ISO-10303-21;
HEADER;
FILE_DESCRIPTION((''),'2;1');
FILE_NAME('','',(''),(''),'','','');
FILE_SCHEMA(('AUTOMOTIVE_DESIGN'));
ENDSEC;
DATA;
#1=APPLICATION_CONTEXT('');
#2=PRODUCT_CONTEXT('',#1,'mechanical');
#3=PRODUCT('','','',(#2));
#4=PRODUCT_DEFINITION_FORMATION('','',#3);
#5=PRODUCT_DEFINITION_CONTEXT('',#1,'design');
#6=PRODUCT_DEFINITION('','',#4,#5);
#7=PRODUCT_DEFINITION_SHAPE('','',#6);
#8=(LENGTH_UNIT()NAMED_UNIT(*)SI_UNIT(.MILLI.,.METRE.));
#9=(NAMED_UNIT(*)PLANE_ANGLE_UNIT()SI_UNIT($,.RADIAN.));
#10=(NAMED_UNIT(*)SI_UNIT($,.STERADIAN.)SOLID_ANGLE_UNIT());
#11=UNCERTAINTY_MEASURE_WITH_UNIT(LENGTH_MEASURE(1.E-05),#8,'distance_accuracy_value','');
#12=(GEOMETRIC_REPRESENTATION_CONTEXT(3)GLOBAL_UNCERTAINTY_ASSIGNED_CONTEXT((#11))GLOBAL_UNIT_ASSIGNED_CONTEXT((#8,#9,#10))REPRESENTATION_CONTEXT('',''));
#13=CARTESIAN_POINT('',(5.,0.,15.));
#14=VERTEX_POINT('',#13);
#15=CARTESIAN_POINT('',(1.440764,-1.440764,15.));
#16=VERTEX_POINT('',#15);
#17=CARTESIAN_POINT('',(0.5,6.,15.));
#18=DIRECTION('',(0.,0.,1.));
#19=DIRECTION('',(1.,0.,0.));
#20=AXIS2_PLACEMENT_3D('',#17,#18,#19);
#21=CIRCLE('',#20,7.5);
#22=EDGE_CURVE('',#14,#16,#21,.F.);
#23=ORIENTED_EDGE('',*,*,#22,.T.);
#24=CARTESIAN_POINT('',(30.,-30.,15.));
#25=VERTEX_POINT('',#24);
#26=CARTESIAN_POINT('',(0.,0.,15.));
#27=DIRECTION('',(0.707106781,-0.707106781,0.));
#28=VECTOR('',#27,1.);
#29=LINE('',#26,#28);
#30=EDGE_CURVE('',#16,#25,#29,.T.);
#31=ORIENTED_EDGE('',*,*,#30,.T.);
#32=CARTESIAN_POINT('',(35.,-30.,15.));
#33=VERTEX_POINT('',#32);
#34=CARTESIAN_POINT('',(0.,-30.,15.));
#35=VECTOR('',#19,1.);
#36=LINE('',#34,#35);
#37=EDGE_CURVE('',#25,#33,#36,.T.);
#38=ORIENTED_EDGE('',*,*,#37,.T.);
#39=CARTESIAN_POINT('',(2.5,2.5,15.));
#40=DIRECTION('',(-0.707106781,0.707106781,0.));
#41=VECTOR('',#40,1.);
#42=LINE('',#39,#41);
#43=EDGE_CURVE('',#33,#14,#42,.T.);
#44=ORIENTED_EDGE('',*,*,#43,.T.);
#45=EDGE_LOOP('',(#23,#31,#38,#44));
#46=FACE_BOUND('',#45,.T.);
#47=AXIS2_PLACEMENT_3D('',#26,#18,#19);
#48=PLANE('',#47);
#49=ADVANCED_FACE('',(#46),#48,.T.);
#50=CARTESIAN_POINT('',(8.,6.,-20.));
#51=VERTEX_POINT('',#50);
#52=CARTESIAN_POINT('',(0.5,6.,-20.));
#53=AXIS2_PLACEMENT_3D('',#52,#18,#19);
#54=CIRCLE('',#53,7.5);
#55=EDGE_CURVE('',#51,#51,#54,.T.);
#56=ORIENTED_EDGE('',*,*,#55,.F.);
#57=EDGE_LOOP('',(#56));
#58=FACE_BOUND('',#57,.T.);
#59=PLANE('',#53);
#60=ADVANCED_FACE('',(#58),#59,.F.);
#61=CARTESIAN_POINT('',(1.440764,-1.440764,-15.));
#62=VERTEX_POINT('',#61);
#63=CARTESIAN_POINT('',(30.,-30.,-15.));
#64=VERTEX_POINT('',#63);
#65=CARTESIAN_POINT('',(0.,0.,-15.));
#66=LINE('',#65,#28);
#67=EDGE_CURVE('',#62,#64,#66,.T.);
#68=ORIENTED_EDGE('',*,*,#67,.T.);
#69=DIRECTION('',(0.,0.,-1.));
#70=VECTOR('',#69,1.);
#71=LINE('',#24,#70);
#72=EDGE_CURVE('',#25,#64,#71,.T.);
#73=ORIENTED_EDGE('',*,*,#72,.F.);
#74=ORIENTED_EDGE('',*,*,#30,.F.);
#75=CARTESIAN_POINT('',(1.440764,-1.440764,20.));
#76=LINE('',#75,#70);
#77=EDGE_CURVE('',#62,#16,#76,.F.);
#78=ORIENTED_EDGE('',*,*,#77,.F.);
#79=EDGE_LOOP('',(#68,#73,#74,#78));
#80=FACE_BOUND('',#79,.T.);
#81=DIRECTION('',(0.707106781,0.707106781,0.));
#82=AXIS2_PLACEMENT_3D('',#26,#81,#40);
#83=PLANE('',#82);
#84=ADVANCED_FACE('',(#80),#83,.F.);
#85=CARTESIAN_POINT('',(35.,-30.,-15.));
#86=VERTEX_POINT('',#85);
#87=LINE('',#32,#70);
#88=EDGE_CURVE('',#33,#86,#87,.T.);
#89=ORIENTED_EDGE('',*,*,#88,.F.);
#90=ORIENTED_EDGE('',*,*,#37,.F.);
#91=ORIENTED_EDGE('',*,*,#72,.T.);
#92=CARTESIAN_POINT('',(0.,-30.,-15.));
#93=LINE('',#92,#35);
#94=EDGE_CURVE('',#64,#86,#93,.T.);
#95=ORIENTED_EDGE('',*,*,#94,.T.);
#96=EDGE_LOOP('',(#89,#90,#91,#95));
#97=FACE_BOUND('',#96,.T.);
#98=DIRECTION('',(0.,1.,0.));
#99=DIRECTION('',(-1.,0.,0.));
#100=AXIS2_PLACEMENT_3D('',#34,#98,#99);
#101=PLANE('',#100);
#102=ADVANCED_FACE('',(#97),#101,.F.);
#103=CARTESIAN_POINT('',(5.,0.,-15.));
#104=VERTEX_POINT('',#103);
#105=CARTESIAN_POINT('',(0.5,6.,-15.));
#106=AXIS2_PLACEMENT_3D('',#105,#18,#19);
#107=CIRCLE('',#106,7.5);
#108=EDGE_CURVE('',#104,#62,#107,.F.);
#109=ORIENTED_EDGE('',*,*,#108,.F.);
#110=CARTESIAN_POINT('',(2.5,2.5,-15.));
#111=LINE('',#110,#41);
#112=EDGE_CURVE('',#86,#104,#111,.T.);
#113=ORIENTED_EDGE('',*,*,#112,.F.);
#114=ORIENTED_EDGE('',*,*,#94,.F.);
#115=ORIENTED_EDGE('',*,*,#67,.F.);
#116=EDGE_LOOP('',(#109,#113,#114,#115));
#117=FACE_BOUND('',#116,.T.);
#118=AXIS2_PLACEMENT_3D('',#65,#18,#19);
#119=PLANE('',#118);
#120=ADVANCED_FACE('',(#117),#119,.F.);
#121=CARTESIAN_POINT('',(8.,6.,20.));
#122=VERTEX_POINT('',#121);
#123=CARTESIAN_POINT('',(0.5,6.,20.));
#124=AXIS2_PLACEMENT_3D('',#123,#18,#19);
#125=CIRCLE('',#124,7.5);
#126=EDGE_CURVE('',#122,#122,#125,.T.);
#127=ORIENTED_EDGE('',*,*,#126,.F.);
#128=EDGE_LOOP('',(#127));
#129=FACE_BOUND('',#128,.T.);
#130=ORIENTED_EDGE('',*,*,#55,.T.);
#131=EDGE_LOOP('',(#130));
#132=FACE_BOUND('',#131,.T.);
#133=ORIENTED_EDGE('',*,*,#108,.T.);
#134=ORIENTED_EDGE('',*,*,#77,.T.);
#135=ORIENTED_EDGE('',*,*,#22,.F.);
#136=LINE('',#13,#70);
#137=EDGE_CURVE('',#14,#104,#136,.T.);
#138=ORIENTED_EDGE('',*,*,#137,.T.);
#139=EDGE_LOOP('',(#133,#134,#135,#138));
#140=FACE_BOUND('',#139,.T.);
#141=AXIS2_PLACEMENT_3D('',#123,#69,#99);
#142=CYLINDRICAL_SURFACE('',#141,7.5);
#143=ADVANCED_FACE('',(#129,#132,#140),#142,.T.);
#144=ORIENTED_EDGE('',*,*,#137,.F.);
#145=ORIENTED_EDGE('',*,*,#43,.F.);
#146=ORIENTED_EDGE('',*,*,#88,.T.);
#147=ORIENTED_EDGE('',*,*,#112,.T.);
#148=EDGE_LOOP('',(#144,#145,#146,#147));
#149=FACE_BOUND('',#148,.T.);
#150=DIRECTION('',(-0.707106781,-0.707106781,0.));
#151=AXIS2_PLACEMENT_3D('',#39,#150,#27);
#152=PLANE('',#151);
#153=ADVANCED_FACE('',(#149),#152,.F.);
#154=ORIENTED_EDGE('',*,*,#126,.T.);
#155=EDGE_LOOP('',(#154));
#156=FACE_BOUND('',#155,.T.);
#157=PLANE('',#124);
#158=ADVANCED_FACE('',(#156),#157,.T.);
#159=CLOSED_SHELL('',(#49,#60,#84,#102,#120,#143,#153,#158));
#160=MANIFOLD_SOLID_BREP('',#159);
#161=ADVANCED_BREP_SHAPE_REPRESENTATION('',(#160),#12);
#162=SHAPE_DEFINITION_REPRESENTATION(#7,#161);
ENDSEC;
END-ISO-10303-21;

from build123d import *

# Parameters (mm, degrees)
BOSS_EXTRUDE2_DEPTH = 15
SKETCH3_3_R         = 7.5
BOSS_EXTRUDE3_DEPTH = 20


with BuildPart() as part:
    # Sketch3 → Boss-Extrude2 (new body, symmetric)
    with BuildSketch(Plane.XY):
        Polygon((0, 0), (30, -30), (35, -30), (5, 0), align=None)
    extrude(amount=BOSS_EXTRUDE2_DEPTH, both=True)

    # Sketch3<3> → Boss-Extrude3 (add, symmetric)
    with BuildSketch(Plane.XY):
        with Locations((0.5, 6)):
            Circle(SKETCH3_3_R)
    extrude(amount=BOSS_EXTRUDE3_DEPTH, both=True)


solid = part.part
